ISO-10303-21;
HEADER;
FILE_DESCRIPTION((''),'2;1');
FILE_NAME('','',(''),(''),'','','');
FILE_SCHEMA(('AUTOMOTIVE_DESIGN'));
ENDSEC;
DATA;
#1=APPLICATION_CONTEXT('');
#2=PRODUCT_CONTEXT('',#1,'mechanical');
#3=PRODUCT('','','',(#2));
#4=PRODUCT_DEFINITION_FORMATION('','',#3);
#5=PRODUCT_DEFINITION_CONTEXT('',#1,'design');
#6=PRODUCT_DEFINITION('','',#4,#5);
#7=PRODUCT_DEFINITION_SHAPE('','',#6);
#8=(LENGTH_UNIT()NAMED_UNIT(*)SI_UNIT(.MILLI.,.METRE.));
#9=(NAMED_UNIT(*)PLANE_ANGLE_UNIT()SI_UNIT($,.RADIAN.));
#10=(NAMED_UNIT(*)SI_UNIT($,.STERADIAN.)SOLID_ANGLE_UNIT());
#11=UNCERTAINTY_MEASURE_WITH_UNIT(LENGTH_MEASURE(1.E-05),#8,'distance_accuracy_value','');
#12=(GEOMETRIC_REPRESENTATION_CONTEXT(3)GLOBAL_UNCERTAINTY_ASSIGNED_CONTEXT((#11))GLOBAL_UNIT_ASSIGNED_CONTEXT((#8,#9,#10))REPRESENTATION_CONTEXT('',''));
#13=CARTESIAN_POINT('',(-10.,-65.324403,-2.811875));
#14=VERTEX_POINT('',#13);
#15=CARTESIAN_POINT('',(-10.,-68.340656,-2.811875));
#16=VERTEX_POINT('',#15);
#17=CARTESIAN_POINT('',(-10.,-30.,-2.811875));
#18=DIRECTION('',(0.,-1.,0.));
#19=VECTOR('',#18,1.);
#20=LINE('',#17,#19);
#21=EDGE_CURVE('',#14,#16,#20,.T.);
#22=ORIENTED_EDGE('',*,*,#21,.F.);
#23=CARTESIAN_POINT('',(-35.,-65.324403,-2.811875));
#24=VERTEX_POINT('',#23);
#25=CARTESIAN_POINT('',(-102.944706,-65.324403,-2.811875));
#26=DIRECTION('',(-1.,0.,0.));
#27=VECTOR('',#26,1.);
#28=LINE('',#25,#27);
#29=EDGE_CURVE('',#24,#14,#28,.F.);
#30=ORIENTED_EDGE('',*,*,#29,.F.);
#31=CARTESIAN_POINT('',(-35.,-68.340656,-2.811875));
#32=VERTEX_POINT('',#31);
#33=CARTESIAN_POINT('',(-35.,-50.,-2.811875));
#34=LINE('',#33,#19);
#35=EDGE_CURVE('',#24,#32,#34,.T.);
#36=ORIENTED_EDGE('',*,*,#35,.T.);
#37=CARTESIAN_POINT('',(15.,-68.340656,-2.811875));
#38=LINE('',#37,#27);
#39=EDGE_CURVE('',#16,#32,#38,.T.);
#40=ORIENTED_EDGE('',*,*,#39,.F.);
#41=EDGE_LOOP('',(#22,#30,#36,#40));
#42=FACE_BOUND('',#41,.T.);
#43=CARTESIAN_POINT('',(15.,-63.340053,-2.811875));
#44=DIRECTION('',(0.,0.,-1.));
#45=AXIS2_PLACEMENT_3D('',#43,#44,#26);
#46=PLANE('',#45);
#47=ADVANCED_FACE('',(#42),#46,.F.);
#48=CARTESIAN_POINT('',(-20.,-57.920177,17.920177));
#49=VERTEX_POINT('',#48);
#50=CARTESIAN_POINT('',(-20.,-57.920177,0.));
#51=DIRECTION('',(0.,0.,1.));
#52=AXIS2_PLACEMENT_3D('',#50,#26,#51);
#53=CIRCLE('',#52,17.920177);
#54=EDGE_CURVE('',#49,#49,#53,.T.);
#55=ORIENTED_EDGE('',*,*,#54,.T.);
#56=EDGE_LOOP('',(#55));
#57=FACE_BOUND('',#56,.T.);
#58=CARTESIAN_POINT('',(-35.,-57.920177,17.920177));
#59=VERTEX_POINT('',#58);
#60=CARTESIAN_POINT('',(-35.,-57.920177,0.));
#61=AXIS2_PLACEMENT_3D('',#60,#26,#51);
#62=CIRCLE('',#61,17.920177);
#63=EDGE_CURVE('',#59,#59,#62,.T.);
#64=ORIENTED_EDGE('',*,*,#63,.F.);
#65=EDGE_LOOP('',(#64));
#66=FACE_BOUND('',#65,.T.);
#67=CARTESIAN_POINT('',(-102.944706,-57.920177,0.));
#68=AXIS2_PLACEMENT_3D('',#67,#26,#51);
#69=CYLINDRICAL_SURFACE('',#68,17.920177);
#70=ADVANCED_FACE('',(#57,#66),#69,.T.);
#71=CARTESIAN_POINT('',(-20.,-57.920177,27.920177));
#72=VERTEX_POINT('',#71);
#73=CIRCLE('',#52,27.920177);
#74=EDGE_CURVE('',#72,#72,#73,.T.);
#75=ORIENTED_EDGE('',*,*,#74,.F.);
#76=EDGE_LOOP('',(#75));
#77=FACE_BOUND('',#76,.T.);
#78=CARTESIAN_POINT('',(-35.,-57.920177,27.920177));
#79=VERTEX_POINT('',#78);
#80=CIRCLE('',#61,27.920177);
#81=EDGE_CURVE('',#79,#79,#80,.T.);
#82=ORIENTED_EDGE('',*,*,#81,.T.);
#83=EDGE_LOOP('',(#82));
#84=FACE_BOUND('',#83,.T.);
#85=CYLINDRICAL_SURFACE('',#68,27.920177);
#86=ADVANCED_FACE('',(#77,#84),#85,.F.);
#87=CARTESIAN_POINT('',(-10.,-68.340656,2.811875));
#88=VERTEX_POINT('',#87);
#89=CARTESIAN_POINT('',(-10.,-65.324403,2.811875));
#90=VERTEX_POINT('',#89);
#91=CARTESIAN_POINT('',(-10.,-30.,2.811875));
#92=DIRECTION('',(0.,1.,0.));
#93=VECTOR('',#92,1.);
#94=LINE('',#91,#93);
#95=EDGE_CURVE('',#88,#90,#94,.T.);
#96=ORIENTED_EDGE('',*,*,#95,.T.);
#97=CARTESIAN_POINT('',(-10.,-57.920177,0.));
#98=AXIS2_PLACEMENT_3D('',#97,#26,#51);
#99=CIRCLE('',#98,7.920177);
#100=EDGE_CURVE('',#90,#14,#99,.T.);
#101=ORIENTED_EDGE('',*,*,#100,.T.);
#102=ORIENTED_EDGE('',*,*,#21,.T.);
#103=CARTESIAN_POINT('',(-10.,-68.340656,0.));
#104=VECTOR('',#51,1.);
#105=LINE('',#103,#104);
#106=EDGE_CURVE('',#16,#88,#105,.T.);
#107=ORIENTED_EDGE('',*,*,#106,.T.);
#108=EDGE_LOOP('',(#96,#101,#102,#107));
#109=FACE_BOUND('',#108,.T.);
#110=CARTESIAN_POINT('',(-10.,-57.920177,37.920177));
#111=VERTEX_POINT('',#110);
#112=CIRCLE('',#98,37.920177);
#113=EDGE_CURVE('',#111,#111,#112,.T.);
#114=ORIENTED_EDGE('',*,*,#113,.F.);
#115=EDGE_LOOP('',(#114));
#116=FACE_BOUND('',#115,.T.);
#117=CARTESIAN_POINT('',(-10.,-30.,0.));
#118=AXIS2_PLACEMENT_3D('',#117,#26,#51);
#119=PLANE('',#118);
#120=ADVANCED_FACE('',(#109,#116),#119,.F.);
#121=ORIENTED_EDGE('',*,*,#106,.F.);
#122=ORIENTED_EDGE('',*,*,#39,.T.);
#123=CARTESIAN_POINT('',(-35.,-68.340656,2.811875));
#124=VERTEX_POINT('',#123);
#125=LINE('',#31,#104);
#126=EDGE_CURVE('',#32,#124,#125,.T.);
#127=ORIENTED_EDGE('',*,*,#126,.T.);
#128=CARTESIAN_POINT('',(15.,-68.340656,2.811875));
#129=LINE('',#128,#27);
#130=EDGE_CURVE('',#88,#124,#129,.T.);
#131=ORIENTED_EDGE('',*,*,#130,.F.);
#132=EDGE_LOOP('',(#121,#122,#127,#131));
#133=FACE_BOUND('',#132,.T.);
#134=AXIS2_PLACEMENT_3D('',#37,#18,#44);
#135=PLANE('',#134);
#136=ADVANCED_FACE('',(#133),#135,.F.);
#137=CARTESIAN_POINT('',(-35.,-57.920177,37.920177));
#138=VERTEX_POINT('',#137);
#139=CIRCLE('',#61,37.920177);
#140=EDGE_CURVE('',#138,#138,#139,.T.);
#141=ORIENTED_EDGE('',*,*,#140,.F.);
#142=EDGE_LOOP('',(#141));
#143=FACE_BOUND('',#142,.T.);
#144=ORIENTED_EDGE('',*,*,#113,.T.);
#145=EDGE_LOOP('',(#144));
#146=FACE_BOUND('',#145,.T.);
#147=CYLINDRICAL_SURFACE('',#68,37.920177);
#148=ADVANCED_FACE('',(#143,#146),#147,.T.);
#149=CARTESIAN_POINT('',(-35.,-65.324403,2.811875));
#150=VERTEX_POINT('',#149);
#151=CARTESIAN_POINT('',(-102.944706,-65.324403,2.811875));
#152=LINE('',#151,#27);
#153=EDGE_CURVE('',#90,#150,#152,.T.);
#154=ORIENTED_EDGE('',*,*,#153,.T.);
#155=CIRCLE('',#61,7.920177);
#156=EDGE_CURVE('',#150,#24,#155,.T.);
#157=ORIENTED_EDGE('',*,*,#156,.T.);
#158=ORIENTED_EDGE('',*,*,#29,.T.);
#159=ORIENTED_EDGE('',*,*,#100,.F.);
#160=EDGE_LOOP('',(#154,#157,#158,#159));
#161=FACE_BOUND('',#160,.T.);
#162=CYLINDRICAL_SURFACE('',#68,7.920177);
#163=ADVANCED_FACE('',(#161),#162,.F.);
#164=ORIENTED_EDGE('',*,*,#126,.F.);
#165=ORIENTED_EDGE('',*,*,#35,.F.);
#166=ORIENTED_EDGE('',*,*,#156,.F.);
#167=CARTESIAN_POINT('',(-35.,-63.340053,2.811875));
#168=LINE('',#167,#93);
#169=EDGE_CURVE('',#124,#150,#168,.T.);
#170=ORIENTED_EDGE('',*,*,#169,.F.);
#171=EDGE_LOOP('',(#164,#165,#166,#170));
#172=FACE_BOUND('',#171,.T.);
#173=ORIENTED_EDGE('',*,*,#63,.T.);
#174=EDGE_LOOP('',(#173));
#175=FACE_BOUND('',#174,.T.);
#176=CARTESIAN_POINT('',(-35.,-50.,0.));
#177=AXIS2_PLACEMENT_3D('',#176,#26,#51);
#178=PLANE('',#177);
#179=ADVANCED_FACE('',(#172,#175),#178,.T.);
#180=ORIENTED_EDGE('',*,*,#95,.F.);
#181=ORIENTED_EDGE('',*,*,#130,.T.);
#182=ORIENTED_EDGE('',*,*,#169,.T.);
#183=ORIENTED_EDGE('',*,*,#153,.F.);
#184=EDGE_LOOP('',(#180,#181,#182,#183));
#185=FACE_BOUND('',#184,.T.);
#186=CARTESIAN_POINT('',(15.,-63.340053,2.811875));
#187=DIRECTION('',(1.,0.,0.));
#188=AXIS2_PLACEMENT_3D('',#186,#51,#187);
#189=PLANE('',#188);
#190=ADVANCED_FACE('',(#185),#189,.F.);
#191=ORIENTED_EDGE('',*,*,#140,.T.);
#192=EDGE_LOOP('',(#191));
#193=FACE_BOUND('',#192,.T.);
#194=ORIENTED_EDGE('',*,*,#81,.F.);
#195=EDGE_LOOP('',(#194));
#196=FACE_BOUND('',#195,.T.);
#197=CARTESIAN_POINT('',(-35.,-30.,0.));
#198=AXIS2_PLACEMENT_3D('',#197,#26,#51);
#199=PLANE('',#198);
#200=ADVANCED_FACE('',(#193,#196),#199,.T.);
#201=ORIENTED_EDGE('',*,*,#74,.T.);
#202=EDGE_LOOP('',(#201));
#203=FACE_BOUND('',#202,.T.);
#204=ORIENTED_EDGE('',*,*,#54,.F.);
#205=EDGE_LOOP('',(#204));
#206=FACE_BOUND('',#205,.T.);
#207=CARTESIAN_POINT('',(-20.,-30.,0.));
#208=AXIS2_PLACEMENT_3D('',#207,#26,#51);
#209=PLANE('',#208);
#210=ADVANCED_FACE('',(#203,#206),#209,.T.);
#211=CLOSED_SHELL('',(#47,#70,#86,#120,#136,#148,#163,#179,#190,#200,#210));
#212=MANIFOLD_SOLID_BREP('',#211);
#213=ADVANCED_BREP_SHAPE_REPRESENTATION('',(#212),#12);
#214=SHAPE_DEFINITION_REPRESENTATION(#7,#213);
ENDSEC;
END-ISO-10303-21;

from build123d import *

# Parameters (mm, degrees)
SKETCH2_W          = 5.6237504
SKETCH2_H          = 5.000603239
CUT_EXTRUDE1_DEPTH = 50


with BuildPart() as part:
    # Sketch1 → Revolve-Thin1 (revolve)
    with BuildSketch(Plane.XY, mode=Mode.PRIVATE) as revolve_thin1_sk:
        Polygon((-35, -30), (-20, -30), (-20, -40), (-35, -40), (-35, -50), (-10, -50), (-10, -20), (-35, -20), align=None)
    revolve(revolve_thin1_sk.sketch.rotate(Axis((-102.944705745, -57.920177064, 0), (1, 0, 0)), 90), axis=Axis((-102.944705745, -57.920177064, 0), (1, 0, 0)))

    # Sketch2 → Cut-Extrude1 (cut)
    with BuildSketch(Plane.ZY.offset(35)):
        with Locations((0, -65.840354128)):
            Rectangle(SKETCH2_W, SKETCH2_H)
    extrude(amount=-CUT_EXTRUDE1_DEPTH, mode=Mode.SUBTRACT)


solid = part.part
